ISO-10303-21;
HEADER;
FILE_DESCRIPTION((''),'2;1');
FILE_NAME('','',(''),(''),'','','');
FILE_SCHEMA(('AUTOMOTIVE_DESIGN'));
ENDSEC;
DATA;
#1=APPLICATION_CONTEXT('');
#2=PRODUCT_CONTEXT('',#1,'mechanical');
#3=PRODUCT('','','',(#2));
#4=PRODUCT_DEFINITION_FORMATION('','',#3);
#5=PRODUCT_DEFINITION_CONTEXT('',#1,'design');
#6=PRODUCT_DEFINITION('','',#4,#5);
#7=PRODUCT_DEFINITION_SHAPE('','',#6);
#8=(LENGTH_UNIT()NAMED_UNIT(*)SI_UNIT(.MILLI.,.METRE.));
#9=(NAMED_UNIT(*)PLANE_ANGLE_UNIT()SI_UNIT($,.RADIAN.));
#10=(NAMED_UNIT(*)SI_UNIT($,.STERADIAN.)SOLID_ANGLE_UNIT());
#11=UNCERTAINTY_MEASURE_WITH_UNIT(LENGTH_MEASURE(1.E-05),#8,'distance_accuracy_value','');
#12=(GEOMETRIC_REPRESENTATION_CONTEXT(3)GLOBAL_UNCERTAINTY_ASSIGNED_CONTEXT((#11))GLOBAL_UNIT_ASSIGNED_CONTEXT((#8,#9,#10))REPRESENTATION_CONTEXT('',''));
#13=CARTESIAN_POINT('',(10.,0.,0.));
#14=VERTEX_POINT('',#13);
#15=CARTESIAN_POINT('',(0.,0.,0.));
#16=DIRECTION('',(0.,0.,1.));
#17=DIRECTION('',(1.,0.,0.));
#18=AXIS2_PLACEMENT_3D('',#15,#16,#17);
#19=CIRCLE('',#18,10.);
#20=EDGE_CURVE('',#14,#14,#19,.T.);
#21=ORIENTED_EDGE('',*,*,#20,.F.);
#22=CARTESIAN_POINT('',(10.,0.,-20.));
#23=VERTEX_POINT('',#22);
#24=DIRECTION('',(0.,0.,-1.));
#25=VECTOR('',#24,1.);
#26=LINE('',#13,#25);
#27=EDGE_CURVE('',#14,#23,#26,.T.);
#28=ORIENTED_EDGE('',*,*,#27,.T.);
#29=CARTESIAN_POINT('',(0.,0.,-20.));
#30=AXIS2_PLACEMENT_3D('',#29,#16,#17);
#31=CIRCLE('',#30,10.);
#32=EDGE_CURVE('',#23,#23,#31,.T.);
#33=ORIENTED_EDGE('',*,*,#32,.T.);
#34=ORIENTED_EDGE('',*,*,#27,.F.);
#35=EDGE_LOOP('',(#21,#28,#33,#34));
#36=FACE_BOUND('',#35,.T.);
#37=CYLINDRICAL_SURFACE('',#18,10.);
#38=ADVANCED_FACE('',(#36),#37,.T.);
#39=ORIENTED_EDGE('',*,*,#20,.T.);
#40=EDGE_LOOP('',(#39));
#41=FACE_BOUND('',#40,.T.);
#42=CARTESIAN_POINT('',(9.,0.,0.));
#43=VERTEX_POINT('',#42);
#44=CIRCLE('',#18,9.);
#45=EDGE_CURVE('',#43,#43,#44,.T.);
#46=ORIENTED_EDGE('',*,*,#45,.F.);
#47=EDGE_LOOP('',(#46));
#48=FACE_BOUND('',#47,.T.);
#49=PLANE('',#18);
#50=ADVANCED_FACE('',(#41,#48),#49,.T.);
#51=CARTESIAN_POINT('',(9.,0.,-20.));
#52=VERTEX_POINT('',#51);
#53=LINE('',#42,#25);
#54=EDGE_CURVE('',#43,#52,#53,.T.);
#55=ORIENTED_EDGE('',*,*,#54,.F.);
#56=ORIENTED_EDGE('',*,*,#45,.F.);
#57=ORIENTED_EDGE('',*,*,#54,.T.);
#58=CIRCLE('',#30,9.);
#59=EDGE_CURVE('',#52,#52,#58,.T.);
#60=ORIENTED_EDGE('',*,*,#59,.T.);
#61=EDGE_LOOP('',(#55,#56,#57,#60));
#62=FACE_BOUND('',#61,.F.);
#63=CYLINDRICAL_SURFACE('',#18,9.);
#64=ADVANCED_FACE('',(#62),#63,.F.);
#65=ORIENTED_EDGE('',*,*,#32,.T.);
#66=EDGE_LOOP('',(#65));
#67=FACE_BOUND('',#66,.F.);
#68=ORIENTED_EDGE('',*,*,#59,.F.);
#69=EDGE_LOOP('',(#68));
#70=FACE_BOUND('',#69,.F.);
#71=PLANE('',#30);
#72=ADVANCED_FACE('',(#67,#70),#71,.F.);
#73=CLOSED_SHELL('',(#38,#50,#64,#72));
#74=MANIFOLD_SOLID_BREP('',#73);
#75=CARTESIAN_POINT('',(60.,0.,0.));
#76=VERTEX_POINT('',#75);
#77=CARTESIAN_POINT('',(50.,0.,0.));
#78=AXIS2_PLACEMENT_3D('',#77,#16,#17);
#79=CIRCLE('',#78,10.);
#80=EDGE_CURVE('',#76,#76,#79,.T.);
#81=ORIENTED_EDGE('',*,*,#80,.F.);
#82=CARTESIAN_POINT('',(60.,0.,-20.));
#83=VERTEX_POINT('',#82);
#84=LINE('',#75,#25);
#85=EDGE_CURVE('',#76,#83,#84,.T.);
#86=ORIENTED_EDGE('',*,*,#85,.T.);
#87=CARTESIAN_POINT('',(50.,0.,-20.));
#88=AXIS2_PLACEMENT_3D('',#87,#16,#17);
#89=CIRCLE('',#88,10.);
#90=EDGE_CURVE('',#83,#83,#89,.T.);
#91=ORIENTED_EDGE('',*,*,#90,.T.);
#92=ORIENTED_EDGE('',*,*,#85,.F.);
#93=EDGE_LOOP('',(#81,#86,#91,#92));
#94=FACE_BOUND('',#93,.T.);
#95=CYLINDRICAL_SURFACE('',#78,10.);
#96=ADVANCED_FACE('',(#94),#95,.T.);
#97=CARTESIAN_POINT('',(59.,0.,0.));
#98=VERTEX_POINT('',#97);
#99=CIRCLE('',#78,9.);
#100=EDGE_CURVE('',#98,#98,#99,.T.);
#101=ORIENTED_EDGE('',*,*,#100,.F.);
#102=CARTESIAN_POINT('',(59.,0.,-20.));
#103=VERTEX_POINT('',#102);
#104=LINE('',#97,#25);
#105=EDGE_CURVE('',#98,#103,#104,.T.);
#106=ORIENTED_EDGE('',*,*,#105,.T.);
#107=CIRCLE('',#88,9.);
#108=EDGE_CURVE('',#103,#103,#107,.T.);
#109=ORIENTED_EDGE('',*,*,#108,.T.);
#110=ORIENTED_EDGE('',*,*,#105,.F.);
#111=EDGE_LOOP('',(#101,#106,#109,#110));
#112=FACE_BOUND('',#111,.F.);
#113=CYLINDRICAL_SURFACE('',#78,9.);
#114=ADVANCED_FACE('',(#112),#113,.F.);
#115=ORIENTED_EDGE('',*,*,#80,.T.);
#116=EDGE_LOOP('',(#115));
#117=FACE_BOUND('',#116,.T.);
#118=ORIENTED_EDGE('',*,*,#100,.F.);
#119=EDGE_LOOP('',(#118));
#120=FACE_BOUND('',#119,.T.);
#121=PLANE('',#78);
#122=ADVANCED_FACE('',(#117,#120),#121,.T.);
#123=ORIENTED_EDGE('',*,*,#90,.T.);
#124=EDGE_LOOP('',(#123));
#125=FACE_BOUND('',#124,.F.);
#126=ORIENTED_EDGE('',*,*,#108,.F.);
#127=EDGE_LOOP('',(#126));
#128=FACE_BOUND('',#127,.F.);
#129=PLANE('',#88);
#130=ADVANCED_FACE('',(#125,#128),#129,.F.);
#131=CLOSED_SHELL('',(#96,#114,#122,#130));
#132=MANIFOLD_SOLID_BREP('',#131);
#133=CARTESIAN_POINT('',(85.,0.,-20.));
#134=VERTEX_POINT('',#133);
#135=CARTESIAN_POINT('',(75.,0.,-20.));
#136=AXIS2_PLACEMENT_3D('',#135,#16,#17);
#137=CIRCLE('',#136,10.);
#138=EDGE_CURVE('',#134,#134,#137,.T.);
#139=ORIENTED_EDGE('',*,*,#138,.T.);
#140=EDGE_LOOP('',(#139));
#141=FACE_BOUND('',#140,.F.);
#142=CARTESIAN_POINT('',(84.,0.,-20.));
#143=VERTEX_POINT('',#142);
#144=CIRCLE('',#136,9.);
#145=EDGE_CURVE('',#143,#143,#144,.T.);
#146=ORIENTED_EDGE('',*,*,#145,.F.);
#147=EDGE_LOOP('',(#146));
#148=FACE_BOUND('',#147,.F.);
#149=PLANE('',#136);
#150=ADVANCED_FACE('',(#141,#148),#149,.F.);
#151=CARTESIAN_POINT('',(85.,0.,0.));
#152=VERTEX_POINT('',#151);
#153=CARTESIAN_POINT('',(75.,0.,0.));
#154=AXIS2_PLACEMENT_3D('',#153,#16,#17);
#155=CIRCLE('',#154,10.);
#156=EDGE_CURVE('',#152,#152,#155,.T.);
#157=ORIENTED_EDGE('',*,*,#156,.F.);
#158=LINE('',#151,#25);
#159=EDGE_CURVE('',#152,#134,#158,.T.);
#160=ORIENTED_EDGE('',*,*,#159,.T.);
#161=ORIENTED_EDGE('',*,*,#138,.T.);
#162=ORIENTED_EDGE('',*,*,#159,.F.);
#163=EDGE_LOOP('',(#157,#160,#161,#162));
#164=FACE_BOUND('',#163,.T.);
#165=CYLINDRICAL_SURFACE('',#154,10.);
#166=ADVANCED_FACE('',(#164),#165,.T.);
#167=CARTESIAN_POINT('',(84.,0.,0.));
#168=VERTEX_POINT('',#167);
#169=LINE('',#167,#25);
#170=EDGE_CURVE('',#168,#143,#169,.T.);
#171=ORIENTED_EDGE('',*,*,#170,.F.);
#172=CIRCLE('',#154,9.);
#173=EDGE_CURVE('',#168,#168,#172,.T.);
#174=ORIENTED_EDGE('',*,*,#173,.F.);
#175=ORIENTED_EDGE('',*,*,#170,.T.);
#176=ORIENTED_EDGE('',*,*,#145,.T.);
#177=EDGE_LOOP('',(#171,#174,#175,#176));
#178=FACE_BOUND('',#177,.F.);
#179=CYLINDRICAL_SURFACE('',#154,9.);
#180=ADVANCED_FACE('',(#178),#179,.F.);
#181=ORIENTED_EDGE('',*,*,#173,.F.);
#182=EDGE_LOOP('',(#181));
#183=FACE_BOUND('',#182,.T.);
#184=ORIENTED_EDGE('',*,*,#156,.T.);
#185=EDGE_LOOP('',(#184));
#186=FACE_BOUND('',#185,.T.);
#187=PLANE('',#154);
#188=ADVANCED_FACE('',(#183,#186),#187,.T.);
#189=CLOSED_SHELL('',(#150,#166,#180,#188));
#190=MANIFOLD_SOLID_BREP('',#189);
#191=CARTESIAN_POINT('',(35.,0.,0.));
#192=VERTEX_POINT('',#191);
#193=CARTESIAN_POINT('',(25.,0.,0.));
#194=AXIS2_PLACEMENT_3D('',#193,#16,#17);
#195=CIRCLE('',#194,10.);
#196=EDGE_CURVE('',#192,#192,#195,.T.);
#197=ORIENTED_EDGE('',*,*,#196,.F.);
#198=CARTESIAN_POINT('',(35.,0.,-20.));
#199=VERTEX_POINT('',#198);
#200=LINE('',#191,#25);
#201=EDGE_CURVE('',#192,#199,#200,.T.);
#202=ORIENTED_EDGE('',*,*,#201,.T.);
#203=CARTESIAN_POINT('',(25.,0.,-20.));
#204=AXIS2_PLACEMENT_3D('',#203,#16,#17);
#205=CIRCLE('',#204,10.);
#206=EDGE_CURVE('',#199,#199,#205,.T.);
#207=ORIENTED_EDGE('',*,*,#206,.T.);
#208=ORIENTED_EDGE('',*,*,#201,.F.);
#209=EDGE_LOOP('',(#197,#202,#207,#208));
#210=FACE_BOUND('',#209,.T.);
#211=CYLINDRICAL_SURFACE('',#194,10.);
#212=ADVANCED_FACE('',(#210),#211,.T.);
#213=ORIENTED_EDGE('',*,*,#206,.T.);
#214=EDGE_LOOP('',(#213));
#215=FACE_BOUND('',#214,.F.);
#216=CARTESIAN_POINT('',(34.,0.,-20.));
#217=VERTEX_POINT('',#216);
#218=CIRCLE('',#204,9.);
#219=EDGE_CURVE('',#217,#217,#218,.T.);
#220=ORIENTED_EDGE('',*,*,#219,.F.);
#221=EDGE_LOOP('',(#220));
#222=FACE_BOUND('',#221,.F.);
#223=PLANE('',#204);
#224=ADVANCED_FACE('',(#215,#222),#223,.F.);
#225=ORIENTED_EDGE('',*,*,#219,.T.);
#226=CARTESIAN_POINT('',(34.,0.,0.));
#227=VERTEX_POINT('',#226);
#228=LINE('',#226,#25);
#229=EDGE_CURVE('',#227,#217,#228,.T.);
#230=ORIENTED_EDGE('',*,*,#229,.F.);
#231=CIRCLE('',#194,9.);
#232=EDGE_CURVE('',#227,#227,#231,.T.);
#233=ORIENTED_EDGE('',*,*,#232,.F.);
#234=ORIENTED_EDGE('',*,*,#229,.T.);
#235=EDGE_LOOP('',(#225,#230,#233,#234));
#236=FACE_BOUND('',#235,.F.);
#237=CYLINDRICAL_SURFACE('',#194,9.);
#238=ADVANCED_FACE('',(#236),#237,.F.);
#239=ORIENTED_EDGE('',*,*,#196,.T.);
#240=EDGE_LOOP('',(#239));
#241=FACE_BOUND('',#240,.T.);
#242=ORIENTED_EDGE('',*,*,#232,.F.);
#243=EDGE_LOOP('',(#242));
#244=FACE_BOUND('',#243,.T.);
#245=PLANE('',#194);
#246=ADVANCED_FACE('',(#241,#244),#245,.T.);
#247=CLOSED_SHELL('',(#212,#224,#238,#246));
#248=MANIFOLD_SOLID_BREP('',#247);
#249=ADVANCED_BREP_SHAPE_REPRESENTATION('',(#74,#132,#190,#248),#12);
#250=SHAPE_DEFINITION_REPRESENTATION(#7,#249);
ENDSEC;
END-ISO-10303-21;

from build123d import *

# Parameters (mm, degrees)
F0_R     = 10
F0_R_2   = 9
F1_DEPTH = 20


with BuildPart() as f1:
    # F0 (on Top) → F1 (new body)
    with BuildSketch(Plane.XY):
        Circle(F0_R)
        Circle(F0_R_2, mode=Mode.SUBTRACT)
        with Locations((25, 0)):
            Circle(F0_R)
        with Locations((25, 0)):
            Circle(F0_R_2, mode=Mode.SUBTRACT)
        with Locations((50, 0)):
            Circle(F0_R)
        with Locations((50, 0)):
            Circle(F0_R_2, mode=Mode.SUBTRACT)
        with Locations((75, 0)):
            Circle(F0_R)
        with Locations((75, 0)):
            Circle(F0_R_2, mode=Mode.SUBTRACT)
    extrude(amount=-F1_DEPTH)


solid = f1.part
